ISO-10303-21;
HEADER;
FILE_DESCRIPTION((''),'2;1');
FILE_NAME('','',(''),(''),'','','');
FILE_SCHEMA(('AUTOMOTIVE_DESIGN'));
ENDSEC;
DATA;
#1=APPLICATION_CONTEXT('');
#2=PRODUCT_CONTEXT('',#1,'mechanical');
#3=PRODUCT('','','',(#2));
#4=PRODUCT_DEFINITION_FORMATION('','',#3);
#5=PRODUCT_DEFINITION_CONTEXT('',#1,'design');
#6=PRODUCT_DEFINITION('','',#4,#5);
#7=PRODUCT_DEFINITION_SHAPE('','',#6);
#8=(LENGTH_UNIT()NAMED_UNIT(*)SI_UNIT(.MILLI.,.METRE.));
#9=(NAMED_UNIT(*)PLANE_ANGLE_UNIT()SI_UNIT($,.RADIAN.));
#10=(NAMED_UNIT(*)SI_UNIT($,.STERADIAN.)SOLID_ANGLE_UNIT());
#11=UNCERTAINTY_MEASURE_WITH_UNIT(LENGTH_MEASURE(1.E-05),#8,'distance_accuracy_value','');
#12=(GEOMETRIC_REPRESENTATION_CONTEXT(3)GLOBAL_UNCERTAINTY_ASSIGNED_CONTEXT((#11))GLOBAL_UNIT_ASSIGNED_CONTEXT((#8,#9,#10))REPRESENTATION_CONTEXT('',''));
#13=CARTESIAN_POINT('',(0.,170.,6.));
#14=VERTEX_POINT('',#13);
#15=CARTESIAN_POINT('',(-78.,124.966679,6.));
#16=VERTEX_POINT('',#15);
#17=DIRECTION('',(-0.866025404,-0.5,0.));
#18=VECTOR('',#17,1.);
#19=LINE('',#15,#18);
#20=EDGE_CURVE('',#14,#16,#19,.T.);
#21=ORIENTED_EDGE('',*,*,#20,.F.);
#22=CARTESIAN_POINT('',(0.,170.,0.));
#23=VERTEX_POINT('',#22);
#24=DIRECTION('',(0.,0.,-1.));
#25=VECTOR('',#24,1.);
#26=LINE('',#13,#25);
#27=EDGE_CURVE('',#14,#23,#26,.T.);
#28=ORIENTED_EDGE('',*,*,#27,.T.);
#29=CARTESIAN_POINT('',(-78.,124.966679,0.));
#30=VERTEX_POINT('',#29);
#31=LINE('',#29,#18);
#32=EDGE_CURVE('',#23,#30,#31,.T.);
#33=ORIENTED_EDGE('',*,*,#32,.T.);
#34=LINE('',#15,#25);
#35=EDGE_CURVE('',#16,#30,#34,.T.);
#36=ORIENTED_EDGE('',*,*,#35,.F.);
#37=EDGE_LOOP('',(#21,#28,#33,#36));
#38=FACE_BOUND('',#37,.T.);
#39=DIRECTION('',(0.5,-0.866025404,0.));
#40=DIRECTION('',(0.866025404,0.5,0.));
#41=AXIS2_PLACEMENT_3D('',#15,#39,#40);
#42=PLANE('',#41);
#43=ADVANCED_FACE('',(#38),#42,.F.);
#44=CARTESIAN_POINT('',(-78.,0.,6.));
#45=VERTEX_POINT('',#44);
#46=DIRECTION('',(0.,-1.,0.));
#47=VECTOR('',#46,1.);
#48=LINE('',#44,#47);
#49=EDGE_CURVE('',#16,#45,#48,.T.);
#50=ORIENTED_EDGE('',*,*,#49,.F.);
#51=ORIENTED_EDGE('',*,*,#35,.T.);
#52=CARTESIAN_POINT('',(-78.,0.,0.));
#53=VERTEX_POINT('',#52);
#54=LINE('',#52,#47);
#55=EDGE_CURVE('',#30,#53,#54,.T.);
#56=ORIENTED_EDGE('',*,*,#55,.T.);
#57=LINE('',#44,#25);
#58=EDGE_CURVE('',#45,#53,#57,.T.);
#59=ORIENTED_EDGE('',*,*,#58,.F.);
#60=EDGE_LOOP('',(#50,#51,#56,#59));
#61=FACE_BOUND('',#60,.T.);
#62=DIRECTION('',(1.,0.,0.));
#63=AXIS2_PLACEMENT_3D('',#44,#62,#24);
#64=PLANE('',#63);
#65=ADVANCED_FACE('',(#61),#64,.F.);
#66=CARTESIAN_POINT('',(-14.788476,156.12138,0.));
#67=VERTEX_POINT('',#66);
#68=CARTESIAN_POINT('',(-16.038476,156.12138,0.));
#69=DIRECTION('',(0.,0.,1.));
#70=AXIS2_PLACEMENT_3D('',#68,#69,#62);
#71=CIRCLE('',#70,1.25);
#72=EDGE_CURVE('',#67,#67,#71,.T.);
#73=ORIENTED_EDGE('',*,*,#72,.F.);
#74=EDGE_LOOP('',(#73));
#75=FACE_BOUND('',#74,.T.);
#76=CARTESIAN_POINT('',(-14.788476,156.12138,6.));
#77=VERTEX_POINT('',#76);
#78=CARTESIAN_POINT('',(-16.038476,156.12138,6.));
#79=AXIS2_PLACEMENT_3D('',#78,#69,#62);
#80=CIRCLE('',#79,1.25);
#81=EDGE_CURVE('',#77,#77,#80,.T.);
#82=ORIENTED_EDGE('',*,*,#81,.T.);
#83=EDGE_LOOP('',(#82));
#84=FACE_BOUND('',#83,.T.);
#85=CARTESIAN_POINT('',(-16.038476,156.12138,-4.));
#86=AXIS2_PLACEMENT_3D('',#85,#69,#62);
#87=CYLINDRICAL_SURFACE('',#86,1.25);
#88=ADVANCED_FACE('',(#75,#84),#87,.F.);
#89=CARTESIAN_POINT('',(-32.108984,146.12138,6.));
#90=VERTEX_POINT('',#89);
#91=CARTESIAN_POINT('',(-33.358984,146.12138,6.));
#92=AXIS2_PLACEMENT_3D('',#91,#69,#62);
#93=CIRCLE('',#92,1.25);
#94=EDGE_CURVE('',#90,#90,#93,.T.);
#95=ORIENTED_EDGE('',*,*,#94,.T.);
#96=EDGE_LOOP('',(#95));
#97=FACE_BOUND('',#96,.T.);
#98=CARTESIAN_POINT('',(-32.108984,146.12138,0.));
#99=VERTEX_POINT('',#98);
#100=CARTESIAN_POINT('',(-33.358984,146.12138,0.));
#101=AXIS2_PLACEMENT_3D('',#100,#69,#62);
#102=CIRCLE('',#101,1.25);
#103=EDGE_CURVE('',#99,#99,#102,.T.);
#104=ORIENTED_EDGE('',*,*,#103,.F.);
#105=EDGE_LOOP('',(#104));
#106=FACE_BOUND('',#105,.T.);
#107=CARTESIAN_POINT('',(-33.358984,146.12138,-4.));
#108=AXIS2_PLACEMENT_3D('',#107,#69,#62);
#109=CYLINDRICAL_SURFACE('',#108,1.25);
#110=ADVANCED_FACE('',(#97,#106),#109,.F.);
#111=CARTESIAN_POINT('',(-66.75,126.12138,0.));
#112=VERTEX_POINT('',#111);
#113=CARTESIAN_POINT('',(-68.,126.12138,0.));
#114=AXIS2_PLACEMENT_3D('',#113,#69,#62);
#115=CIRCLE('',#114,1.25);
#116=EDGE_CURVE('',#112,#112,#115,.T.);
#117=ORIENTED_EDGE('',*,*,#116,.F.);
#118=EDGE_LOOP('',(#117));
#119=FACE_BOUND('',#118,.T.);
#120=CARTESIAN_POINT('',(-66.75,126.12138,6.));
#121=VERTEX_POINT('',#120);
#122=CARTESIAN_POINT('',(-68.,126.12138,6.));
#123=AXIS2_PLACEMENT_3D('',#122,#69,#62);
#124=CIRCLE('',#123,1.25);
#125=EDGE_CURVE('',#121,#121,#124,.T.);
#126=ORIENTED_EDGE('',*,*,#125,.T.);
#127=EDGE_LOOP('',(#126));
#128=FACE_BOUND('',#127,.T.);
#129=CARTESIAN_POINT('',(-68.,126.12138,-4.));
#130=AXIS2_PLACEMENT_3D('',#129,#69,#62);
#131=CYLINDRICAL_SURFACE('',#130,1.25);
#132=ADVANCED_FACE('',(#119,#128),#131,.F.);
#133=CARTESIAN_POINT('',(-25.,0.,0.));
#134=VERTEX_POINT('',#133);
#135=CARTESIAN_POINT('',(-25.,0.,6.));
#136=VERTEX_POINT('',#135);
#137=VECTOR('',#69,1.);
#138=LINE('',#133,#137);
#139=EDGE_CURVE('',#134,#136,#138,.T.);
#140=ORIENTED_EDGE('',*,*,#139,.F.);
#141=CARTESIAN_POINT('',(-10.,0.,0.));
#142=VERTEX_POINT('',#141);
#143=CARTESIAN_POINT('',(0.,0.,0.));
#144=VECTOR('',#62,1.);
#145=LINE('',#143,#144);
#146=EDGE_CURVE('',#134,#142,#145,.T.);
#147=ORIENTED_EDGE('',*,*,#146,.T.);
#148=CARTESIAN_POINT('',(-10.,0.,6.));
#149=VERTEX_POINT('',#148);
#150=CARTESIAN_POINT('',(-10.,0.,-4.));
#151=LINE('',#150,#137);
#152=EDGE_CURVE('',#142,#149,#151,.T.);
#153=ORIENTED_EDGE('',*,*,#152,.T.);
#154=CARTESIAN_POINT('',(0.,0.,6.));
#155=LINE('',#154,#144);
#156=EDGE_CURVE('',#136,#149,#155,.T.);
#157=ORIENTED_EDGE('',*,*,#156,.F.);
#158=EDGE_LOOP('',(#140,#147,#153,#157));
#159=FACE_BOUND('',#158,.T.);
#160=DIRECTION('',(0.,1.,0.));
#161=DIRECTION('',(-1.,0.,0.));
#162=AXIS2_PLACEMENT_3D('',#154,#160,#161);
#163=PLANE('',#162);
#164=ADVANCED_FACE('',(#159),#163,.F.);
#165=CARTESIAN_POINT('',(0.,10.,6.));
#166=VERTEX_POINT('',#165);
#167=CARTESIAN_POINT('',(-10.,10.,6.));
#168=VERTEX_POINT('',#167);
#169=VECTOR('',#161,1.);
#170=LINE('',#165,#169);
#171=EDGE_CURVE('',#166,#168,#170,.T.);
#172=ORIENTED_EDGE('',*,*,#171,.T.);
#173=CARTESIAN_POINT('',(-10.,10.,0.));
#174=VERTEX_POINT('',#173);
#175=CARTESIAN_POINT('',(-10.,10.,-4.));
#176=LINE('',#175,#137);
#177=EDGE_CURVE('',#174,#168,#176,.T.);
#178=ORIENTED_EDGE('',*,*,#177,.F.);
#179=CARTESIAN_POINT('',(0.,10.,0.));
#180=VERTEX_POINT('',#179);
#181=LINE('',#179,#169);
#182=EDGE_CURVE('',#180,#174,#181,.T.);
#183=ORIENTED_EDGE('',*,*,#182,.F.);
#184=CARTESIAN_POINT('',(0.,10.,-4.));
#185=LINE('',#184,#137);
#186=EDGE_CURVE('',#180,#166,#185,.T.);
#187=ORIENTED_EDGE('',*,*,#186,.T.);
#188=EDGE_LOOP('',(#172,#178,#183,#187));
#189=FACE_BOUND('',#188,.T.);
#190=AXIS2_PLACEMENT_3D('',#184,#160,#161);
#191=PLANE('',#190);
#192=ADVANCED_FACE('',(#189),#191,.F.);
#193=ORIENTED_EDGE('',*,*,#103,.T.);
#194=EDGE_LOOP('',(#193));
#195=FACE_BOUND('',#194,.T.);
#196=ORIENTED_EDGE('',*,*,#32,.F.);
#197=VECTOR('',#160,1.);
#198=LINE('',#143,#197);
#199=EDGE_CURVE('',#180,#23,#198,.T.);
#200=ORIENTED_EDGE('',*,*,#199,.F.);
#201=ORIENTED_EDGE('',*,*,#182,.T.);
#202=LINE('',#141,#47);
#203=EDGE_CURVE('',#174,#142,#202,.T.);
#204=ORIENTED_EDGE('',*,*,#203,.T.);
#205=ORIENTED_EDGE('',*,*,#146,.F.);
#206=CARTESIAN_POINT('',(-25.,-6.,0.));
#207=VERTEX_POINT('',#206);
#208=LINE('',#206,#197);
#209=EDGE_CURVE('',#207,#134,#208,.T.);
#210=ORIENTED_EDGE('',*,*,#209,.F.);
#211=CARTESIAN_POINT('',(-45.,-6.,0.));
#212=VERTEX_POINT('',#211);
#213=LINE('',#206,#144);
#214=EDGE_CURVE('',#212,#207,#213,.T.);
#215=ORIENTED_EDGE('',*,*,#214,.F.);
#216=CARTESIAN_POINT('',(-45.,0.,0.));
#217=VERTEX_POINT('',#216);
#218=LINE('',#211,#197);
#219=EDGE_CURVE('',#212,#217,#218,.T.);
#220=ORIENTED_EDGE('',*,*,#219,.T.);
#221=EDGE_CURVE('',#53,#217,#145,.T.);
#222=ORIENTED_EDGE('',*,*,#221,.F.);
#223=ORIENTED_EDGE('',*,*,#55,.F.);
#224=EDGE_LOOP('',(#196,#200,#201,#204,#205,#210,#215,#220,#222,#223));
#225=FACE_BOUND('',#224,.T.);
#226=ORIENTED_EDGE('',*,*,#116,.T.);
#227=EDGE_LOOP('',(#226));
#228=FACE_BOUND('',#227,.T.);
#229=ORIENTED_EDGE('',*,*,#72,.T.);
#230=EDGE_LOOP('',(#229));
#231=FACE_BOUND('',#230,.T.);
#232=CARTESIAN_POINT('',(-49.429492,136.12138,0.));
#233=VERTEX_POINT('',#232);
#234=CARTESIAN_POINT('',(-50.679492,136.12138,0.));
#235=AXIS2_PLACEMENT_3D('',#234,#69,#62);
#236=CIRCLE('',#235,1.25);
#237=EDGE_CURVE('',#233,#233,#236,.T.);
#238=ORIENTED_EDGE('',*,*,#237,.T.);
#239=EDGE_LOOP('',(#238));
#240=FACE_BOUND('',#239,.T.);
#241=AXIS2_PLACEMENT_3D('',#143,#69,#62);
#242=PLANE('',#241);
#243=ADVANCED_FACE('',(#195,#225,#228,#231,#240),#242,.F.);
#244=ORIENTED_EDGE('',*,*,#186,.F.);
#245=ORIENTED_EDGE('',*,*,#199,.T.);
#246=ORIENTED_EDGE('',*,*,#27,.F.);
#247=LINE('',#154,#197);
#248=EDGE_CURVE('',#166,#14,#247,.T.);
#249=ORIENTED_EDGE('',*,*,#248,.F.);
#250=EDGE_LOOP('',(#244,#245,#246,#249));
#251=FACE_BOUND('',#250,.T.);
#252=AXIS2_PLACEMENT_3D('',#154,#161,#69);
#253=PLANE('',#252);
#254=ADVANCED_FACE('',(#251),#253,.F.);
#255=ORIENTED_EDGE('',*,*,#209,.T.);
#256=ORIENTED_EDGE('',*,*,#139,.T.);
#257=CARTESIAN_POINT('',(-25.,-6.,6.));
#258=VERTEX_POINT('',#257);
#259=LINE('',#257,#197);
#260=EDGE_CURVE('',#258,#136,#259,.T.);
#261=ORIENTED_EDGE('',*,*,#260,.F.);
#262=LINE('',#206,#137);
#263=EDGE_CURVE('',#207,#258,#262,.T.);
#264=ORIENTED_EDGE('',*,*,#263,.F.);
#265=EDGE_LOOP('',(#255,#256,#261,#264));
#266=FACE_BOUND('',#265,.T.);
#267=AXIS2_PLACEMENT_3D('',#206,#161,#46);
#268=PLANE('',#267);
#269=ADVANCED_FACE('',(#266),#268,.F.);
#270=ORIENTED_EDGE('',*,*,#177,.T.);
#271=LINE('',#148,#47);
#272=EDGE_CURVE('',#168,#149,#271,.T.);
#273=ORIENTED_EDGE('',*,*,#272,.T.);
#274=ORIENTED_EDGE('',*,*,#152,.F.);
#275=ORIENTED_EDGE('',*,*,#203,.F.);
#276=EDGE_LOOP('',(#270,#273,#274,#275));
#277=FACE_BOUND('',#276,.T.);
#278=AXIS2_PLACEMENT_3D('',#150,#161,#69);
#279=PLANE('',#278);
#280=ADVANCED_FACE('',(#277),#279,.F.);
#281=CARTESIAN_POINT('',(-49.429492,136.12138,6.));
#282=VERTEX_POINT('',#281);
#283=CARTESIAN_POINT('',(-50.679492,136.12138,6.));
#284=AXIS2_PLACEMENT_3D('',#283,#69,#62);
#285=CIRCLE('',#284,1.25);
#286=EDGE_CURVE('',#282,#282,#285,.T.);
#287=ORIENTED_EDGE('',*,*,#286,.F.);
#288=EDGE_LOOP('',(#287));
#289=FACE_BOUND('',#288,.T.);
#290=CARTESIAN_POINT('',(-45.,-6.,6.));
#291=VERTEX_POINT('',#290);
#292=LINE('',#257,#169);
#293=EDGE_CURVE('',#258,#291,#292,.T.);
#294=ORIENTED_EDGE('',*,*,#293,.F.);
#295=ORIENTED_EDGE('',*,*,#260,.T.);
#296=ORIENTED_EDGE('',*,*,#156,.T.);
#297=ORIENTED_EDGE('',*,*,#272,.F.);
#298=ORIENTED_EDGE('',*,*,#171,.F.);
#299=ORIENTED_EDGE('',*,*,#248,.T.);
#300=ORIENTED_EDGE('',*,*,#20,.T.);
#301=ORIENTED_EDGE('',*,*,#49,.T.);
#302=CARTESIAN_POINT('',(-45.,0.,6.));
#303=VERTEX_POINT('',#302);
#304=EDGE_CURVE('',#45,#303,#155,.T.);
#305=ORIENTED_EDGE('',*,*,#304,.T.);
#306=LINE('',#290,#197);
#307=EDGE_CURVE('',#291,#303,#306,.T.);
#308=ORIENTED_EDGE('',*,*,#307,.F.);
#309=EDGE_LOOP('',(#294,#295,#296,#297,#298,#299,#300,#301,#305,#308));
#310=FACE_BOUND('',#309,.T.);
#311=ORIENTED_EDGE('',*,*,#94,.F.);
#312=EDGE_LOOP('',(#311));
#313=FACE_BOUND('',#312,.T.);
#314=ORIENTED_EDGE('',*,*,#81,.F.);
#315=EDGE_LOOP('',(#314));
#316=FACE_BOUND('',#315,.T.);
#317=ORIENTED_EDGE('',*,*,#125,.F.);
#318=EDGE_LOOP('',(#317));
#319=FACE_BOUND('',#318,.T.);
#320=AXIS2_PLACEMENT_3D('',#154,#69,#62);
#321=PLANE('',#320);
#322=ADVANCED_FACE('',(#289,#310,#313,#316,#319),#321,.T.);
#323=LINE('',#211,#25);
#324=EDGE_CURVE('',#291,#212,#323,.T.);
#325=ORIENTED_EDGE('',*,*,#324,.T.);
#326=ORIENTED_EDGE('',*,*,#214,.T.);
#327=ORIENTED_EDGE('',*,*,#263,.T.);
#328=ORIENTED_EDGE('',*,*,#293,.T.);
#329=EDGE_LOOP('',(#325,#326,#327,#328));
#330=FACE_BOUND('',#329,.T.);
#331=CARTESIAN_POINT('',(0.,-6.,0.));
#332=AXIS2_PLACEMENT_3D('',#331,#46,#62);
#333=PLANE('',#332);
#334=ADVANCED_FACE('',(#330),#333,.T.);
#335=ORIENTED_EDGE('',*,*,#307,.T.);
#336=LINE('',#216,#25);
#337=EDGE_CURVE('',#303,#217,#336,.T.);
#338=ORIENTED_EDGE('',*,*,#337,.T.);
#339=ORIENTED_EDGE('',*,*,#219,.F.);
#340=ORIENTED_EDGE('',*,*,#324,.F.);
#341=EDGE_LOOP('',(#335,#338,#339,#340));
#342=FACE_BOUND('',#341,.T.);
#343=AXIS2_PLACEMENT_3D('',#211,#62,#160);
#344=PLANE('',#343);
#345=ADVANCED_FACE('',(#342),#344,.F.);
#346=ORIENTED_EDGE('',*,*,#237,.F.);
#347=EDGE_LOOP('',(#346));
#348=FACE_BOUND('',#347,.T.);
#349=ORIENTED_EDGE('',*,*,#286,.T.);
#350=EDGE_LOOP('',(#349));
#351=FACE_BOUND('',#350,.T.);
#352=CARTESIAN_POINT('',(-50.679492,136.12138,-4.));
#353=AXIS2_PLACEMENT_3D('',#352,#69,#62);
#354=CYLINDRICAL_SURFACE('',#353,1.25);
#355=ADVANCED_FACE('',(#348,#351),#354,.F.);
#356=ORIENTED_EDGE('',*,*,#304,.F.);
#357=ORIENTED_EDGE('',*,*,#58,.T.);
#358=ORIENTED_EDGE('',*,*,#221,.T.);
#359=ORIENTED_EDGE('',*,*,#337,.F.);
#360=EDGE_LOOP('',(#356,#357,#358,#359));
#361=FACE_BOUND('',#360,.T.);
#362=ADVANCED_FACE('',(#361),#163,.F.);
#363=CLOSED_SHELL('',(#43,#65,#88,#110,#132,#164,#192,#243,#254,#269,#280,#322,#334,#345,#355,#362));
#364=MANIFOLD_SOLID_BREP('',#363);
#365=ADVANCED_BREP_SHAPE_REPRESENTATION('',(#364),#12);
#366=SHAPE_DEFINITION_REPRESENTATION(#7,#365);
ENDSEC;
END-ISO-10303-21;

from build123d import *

# Parameters (mm, degrees)
BOSS_EXTRU_1_DEPTH      = 6
ESQUISSE2_R             = 1.25
ESQUISSE2_W             = 10
ESQUISSE2_H             = 10
ENL_V_MAT_EXTRU_1_DEPTH = 10
ESQUISSE4_W             = 20
ESQUISSE4_H             = 6
BOSS_EXTRU_2_DEPTH      = 6


with BuildPart() as part:
    # Esquisse1 → Boss.-Extru.1 (new body)
    with BuildSketch(Plane.XY):
        Polygon((-78, 0), (-78, 124.966679003), (0, 170), (0, 0), align=None)
    extrude(amount=BOSS_EXTRU_1_DEPTH)

    # Esquisse2 → Enlèv. mat.-Extru.1 (cut)
    with BuildSketch(Plane.XY.offset(6)):
        with Locations((-68, 126.121379542)):
            Circle(ESQUISSE2_R)
        with Locations((-50.679491924, 136.121379542)):
            Circle(ESQUISSE2_R)
        with Locations((-16.038475773, 156.121379542)):
            Circle(ESQUISSE2_R)
        with Locations((-33.358983849, 146.121379542)):
            Circle(ESQUISSE2_R)
        with Locations((-5, 5)):
            Rectangle(ESQUISSE2_W, ESQUISSE2_H)
    extrude(amount=-ENL_V_MAT_EXTRU_1_DEPTH, mode=Mode.SUBTRACT)

    # Esquisse4 → Boss.-Extru.2 (add)
    with BuildSketch(Plane.XZ):
        with Locations((-35, 3)):
            Rectangle(ESQUISSE4_W, ESQUISSE4_H)
    extrude(amount=BOSS_EXTRU_2_DEPTH)


solid = part.part
